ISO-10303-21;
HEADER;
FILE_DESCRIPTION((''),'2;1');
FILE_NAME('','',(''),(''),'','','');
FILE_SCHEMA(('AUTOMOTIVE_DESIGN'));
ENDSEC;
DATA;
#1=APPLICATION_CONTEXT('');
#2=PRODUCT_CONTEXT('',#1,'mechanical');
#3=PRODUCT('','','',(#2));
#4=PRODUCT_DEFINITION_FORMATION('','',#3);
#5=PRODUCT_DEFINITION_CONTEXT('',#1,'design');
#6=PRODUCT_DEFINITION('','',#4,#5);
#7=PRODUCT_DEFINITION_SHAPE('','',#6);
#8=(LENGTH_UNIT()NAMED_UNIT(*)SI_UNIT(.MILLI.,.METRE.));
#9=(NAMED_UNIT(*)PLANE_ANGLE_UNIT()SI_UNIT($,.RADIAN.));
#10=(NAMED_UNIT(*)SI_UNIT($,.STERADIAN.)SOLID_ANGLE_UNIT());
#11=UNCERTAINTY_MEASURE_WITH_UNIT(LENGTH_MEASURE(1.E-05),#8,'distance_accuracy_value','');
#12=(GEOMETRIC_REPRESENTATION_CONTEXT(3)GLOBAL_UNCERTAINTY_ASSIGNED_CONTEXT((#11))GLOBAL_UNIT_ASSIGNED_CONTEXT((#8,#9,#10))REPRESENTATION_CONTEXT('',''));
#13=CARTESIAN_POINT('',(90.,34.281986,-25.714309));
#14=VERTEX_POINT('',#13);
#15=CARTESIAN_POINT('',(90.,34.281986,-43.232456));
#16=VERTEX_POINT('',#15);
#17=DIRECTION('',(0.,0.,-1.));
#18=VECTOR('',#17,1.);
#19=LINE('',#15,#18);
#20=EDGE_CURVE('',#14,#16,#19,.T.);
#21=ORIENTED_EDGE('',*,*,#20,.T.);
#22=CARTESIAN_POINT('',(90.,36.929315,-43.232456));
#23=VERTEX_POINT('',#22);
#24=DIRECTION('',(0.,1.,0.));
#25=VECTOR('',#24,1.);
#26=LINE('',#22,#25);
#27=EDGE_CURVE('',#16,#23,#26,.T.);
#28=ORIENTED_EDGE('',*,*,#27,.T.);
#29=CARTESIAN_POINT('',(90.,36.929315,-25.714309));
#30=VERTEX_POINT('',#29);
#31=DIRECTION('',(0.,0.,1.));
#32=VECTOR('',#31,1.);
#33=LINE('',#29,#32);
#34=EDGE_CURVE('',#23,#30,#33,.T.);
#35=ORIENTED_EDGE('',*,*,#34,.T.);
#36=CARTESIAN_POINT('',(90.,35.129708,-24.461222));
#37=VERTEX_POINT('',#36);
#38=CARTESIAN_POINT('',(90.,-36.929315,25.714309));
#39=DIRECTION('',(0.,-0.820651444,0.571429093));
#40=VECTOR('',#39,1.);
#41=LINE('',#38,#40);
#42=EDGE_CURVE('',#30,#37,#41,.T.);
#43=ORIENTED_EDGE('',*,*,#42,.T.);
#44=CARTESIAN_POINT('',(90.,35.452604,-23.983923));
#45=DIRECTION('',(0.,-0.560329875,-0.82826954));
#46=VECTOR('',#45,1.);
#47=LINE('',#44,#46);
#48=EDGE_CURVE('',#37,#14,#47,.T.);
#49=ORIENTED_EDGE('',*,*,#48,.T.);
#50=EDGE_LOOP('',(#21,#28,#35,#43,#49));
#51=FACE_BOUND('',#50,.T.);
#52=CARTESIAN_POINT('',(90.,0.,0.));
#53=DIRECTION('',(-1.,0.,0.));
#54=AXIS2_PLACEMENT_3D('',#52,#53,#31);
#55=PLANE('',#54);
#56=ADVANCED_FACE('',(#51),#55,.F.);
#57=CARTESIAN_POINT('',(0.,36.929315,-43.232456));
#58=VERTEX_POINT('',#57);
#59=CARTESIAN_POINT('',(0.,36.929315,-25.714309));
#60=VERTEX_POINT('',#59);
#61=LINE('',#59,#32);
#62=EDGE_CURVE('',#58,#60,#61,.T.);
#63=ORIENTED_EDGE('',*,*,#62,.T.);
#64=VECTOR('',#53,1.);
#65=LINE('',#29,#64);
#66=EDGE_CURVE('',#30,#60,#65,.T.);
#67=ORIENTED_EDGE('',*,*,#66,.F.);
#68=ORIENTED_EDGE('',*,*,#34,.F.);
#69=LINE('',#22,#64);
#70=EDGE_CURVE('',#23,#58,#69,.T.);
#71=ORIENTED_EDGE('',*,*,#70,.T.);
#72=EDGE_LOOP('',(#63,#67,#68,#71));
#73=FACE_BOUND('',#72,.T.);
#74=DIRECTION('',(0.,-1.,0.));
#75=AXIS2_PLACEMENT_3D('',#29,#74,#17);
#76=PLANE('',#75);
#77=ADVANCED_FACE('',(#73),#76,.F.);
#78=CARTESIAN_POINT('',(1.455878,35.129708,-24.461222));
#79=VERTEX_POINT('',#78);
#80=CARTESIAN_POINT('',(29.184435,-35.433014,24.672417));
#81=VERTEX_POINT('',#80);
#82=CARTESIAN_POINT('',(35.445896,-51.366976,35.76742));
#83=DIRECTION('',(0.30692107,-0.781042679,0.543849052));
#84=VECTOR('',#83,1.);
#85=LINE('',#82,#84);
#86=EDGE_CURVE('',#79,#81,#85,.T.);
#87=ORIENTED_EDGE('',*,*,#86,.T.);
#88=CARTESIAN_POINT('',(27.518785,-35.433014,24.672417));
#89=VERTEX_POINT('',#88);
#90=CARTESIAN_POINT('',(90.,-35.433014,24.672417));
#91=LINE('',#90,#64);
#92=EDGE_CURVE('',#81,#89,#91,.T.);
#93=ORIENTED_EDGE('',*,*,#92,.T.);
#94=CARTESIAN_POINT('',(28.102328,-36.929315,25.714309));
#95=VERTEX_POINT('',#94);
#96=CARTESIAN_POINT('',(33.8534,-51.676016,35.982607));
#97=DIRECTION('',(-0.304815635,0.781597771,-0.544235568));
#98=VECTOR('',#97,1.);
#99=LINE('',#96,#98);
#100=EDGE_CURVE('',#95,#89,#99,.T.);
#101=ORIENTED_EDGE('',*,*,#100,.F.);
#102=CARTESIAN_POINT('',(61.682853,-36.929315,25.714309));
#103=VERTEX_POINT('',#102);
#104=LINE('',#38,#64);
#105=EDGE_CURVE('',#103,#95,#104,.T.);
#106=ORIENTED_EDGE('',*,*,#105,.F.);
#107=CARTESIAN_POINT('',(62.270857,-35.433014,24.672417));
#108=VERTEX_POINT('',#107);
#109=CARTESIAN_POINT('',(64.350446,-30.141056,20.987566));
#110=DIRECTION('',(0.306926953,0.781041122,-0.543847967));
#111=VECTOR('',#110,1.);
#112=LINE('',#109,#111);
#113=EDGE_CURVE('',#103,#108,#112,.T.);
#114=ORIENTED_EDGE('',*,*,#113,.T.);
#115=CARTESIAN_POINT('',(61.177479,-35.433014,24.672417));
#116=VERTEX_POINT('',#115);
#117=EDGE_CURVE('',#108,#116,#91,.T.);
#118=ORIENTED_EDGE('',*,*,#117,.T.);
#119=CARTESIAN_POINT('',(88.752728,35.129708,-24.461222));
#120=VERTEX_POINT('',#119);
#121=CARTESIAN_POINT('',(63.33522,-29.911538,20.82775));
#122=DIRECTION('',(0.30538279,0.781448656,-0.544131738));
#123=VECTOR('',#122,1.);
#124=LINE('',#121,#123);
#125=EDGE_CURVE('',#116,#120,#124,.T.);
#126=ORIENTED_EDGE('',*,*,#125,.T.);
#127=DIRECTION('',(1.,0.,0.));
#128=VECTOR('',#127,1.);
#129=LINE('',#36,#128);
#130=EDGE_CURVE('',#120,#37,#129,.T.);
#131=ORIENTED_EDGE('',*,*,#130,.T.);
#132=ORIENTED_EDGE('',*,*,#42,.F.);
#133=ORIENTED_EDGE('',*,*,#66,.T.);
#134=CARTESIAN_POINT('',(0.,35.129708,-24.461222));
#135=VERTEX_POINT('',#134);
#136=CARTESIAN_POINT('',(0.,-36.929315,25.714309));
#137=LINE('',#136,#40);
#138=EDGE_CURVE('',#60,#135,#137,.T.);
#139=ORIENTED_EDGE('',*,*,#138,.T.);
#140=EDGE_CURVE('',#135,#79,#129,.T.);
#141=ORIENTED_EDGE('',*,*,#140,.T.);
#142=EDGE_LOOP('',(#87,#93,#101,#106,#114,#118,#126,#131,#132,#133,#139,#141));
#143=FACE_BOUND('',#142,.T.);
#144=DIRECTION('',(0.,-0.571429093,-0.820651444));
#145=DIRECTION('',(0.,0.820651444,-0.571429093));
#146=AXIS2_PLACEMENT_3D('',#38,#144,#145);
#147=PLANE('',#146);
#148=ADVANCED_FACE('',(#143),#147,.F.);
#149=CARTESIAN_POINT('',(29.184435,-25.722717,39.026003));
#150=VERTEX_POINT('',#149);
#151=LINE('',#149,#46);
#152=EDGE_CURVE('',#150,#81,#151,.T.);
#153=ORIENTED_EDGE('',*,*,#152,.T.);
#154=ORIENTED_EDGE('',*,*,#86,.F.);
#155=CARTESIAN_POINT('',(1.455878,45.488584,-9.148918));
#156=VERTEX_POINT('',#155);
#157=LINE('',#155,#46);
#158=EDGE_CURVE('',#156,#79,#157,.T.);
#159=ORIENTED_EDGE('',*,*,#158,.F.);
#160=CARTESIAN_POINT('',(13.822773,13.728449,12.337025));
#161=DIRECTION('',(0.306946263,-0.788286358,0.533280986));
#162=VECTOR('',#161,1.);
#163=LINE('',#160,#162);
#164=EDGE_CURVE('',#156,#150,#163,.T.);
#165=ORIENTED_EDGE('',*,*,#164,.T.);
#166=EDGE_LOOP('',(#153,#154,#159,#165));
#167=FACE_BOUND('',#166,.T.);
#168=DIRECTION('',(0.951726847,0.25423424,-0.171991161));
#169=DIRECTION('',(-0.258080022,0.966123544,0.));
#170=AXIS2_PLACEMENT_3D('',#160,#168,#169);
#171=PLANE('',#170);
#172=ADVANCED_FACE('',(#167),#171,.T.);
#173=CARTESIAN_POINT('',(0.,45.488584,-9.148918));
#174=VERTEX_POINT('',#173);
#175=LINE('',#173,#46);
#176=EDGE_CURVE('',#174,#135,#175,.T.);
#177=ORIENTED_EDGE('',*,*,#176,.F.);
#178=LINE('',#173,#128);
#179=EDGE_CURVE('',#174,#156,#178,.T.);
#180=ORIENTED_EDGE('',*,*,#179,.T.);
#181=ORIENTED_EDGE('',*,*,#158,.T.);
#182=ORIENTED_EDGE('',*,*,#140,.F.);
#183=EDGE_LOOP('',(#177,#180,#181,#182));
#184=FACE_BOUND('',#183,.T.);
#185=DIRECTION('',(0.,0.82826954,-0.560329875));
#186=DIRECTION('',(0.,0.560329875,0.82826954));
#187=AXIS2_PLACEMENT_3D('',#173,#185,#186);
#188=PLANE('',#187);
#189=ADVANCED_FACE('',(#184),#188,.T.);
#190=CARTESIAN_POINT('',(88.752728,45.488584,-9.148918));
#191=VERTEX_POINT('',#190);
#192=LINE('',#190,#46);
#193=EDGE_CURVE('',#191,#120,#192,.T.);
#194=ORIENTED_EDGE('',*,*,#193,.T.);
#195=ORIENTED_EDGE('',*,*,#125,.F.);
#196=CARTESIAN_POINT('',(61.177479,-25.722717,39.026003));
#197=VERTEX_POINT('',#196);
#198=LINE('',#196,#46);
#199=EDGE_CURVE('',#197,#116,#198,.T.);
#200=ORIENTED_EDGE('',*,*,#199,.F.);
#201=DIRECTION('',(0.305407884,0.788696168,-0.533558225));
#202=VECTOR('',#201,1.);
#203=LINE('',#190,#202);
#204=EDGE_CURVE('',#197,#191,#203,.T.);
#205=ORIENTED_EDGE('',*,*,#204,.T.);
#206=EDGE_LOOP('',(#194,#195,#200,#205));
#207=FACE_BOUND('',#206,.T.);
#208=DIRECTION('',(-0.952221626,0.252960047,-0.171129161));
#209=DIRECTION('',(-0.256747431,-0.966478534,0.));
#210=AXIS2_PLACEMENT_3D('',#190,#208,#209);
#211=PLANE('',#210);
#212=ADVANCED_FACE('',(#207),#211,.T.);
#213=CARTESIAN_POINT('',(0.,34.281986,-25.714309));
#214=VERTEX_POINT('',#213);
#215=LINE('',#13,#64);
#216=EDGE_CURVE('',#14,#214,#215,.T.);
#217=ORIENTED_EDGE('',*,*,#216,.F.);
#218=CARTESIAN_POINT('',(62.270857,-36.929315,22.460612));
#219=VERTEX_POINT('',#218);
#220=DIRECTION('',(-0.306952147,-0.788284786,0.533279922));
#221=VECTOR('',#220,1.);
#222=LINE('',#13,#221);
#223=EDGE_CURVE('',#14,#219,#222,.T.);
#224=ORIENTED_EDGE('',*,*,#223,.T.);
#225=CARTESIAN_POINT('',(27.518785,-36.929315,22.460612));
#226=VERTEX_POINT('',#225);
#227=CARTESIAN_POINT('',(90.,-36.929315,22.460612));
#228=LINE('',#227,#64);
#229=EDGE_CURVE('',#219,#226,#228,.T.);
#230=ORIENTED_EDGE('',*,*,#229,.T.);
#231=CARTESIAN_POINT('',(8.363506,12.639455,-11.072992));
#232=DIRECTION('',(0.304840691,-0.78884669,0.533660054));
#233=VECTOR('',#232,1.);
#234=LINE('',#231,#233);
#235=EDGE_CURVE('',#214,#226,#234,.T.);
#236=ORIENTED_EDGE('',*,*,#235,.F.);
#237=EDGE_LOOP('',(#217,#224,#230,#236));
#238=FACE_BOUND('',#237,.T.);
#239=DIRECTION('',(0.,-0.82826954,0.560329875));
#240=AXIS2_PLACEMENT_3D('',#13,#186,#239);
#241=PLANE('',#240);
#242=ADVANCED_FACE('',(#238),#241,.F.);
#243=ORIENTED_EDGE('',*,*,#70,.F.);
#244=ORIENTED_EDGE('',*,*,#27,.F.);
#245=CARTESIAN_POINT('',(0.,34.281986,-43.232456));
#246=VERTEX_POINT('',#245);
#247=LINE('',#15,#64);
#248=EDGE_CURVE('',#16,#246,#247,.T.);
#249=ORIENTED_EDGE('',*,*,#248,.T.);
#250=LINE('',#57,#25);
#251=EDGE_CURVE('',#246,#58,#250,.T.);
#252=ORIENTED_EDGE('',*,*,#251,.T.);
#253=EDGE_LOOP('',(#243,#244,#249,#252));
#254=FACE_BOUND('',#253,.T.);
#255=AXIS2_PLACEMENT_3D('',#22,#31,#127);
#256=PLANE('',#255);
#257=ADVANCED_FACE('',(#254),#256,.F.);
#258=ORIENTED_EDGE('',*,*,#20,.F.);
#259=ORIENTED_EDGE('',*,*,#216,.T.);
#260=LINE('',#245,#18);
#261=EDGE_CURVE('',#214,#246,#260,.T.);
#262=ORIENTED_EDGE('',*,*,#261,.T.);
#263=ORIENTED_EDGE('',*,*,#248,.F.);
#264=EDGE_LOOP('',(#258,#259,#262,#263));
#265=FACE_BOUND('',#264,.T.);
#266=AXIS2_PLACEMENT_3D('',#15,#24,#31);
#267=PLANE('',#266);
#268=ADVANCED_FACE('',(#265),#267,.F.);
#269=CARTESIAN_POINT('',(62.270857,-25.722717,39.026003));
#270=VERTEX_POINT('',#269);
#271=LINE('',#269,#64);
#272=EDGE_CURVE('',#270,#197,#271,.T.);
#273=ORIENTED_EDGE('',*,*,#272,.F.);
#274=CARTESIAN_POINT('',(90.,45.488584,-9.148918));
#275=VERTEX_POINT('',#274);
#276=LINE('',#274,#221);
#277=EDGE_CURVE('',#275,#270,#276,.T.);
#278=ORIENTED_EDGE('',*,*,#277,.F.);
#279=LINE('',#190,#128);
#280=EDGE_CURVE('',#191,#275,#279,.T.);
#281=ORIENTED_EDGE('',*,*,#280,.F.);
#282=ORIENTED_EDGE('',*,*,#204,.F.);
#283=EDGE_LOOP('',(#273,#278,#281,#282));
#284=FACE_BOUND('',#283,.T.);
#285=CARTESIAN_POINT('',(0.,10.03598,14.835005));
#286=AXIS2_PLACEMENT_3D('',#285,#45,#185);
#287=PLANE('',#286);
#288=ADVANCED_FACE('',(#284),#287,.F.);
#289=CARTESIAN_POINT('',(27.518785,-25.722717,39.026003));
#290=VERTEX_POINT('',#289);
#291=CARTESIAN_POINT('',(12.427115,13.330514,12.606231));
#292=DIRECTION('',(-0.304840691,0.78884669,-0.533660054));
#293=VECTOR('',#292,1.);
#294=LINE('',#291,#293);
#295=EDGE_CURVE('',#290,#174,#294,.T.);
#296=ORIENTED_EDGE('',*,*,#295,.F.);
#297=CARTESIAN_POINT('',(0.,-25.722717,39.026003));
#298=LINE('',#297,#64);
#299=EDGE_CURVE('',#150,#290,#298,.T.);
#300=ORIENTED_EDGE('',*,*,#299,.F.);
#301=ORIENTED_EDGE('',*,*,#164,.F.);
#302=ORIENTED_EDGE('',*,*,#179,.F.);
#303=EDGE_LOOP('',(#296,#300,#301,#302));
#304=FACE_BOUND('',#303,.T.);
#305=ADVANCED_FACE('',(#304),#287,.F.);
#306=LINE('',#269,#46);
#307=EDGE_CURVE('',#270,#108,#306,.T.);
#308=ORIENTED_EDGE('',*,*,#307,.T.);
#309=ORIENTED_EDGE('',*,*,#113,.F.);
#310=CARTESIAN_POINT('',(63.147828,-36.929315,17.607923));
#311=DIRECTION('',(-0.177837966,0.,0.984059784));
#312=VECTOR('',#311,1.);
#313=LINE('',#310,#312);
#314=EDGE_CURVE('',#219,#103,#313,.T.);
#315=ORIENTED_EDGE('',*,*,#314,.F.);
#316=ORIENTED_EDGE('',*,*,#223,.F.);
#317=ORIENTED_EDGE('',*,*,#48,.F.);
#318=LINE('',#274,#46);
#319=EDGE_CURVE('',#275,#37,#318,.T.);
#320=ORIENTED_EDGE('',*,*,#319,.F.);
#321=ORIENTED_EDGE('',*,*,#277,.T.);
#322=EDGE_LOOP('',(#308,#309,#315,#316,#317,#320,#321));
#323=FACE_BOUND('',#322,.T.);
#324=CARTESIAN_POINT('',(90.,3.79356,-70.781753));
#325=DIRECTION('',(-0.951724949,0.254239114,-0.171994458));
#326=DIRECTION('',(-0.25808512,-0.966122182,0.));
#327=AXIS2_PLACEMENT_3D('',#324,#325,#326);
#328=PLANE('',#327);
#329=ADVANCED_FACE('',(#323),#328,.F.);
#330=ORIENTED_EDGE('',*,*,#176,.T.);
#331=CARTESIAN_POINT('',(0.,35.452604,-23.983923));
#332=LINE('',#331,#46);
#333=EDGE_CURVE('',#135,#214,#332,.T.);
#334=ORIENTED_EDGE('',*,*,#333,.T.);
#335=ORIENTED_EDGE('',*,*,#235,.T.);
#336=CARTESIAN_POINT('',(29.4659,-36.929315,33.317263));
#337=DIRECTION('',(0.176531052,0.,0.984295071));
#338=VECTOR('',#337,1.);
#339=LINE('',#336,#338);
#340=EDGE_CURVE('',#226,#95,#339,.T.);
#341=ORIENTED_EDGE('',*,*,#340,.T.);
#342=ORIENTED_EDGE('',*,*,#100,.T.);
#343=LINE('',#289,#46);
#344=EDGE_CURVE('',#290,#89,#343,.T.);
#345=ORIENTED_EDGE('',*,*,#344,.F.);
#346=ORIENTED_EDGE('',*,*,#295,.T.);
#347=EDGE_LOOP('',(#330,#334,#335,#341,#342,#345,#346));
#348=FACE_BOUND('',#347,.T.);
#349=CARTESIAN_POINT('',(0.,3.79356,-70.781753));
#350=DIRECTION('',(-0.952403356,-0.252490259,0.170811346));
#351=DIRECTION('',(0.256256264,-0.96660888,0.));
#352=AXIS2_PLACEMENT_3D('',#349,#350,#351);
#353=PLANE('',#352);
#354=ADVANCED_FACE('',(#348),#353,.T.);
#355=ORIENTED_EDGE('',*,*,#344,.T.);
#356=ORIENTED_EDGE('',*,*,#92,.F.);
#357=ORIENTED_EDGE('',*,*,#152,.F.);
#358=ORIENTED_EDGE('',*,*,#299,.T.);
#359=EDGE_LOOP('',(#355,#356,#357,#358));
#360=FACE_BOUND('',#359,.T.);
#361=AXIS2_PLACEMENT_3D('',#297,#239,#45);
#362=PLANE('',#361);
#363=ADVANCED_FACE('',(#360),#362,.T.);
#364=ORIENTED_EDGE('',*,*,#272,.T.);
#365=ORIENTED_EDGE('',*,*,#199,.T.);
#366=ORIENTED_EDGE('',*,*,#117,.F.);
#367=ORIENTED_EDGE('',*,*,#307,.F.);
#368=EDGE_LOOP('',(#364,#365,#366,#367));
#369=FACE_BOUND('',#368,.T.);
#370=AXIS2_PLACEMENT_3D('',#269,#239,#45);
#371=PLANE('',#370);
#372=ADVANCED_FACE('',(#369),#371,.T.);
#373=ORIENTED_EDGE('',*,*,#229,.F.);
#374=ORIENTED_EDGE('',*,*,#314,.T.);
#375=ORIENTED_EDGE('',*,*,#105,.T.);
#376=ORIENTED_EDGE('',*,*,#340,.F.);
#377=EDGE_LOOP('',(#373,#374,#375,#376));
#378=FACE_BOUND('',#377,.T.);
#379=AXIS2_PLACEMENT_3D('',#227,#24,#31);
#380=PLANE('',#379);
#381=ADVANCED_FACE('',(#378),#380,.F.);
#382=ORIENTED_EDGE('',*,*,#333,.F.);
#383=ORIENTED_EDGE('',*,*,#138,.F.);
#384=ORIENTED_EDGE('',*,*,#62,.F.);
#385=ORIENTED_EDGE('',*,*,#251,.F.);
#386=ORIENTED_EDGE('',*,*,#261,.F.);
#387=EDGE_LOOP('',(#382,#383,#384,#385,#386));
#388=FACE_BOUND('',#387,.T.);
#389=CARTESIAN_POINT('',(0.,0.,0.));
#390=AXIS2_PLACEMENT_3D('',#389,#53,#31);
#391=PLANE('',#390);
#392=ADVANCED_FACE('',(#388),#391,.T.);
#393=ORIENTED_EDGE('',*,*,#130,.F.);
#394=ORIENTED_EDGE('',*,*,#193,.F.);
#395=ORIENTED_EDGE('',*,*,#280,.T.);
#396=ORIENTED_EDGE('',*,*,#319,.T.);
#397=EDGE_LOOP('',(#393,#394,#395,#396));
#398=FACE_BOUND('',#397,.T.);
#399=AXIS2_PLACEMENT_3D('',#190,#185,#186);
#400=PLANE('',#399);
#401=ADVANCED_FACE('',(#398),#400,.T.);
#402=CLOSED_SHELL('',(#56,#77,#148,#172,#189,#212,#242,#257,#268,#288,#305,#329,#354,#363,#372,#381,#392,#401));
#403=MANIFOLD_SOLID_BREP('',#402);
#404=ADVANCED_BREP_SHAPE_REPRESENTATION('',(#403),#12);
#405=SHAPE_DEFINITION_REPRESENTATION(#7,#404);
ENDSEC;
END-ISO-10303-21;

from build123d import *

# Parameters (mm, degrees)
BOSS_EXTRUDE1_DEPTH          = 90
CUT_EXTRUDE_THIN5_DEPTH      = 107.179219538
CUT_EXTRUDE_THIN5_DEPTH_BACK = 90
CUT_EXTRUDE_THIN6_DEPTH      = 107.179219538
CUT_EXTRUDE_THIN6_DEPTH_BACK = 90
BOSS_EXTRUDE2_DEPTH          = 20
BOSS_EXTRUDE3_DEPTH          = 20


with BuildPart() as part:
    # Sketch1 → Boss-Extrude1 (new body)
    with BuildSketch(Plane(origin=(0, 0, 0), x_dir=(0, 0, -1), z_dir=(1, 0, 0))):
        Polygon((-25.714309173, -36.929314965), (25.714309173, 36.929314965), (43.232455695, 36.929314965), (43.232455695, 34.281986352), (25.714309173, 34.281986352), (-22.460611748, -36.929314965), align=None)
    extrude(amount=BOSS_EXTRUDE1_DEPTH)

    # Sketch5 → Cut-Extrude-Thin5 (cut, two sides: drawn at the far end of the back side and taken through both)
    with BuildSketch(Plane(origin=(0, -1.17061758, -1.730385845), x_dir=(-1, 0, 0), z_dir=(0, -0.560329875322556, -0.8282695399572587)).offset(-CUT_EXTRUDE_THIN5_DEPTH_BACK)):
        Polygon((-90, 42.803220717), (-61.682852786, -44.99592237), (-90.234601267, -54.204486788), (-118.551748482, 33.594656299), align=None)
    extrude(amount=CUT_EXTRUDE_THIN5_DEPTH + CUT_EXTRUDE_THIN5_DEPTH_BACK, mode=Mode.SUBTRACT)

    # Sketch6 → Cut-Extrude-Thin6 (cut, two sides: drawn at the far end of the back side and taken through both)
    with BuildSketch(Plane(origin=(0, -1.17061758, -1.730385845), x_dir=(-1, 0, 0), z_dir=(0, -0.560329875322556, -0.8282695399572587)).offset(-CUT_EXTRUDE_THIN6_DEPTH_BACK)):
        Polygon((0, 42.803220717), (-28.102327933, -44.99592237), (0.469772757, -54.141143098), (28.57210069, 33.657999989), align=None)
    extrude(amount=CUT_EXTRUDE_THIN6_DEPTH + CUT_EXTRUDE_THIN6_DEPTH_BACK, mode=Mode.SUBTRACT)

    # Sketch7 → Boss-Extrude2 (add)
    with BuildSketch(Plane(origin=(0, -1.17061758, -1.730385845), x_dir=(-1, 0, 0), z_dir=(0, -0.560329875322556, -0.8282695399572587))):
        Polygon((-88.752727637, 42.803220717), (-61.177479126, -43.172778497), (-62.270856627, -43.172778497), (-90, 42.803220717), align=None)
    extrude(amount=-BOSS_EXTRUDE2_DEPTH)

    # Sketch8 → Boss-Extrude3 (add)
    with BuildSketch(Plane(origin=(0, -1.17061758, -1.730385845), x_dir=(-1, 0, 0), z_dir=(0, -0.560329875322556, -0.8282695399572587))):
        Polygon((0, 42.803220717), (-1.455878042, 42.803220717), (-29.184434589, -43.172778497), (-27.518784801, -43.172778497), align=None)
    extrude(amount=-BOSS_EXTRUDE3_DEPTH)


solid = part.part
